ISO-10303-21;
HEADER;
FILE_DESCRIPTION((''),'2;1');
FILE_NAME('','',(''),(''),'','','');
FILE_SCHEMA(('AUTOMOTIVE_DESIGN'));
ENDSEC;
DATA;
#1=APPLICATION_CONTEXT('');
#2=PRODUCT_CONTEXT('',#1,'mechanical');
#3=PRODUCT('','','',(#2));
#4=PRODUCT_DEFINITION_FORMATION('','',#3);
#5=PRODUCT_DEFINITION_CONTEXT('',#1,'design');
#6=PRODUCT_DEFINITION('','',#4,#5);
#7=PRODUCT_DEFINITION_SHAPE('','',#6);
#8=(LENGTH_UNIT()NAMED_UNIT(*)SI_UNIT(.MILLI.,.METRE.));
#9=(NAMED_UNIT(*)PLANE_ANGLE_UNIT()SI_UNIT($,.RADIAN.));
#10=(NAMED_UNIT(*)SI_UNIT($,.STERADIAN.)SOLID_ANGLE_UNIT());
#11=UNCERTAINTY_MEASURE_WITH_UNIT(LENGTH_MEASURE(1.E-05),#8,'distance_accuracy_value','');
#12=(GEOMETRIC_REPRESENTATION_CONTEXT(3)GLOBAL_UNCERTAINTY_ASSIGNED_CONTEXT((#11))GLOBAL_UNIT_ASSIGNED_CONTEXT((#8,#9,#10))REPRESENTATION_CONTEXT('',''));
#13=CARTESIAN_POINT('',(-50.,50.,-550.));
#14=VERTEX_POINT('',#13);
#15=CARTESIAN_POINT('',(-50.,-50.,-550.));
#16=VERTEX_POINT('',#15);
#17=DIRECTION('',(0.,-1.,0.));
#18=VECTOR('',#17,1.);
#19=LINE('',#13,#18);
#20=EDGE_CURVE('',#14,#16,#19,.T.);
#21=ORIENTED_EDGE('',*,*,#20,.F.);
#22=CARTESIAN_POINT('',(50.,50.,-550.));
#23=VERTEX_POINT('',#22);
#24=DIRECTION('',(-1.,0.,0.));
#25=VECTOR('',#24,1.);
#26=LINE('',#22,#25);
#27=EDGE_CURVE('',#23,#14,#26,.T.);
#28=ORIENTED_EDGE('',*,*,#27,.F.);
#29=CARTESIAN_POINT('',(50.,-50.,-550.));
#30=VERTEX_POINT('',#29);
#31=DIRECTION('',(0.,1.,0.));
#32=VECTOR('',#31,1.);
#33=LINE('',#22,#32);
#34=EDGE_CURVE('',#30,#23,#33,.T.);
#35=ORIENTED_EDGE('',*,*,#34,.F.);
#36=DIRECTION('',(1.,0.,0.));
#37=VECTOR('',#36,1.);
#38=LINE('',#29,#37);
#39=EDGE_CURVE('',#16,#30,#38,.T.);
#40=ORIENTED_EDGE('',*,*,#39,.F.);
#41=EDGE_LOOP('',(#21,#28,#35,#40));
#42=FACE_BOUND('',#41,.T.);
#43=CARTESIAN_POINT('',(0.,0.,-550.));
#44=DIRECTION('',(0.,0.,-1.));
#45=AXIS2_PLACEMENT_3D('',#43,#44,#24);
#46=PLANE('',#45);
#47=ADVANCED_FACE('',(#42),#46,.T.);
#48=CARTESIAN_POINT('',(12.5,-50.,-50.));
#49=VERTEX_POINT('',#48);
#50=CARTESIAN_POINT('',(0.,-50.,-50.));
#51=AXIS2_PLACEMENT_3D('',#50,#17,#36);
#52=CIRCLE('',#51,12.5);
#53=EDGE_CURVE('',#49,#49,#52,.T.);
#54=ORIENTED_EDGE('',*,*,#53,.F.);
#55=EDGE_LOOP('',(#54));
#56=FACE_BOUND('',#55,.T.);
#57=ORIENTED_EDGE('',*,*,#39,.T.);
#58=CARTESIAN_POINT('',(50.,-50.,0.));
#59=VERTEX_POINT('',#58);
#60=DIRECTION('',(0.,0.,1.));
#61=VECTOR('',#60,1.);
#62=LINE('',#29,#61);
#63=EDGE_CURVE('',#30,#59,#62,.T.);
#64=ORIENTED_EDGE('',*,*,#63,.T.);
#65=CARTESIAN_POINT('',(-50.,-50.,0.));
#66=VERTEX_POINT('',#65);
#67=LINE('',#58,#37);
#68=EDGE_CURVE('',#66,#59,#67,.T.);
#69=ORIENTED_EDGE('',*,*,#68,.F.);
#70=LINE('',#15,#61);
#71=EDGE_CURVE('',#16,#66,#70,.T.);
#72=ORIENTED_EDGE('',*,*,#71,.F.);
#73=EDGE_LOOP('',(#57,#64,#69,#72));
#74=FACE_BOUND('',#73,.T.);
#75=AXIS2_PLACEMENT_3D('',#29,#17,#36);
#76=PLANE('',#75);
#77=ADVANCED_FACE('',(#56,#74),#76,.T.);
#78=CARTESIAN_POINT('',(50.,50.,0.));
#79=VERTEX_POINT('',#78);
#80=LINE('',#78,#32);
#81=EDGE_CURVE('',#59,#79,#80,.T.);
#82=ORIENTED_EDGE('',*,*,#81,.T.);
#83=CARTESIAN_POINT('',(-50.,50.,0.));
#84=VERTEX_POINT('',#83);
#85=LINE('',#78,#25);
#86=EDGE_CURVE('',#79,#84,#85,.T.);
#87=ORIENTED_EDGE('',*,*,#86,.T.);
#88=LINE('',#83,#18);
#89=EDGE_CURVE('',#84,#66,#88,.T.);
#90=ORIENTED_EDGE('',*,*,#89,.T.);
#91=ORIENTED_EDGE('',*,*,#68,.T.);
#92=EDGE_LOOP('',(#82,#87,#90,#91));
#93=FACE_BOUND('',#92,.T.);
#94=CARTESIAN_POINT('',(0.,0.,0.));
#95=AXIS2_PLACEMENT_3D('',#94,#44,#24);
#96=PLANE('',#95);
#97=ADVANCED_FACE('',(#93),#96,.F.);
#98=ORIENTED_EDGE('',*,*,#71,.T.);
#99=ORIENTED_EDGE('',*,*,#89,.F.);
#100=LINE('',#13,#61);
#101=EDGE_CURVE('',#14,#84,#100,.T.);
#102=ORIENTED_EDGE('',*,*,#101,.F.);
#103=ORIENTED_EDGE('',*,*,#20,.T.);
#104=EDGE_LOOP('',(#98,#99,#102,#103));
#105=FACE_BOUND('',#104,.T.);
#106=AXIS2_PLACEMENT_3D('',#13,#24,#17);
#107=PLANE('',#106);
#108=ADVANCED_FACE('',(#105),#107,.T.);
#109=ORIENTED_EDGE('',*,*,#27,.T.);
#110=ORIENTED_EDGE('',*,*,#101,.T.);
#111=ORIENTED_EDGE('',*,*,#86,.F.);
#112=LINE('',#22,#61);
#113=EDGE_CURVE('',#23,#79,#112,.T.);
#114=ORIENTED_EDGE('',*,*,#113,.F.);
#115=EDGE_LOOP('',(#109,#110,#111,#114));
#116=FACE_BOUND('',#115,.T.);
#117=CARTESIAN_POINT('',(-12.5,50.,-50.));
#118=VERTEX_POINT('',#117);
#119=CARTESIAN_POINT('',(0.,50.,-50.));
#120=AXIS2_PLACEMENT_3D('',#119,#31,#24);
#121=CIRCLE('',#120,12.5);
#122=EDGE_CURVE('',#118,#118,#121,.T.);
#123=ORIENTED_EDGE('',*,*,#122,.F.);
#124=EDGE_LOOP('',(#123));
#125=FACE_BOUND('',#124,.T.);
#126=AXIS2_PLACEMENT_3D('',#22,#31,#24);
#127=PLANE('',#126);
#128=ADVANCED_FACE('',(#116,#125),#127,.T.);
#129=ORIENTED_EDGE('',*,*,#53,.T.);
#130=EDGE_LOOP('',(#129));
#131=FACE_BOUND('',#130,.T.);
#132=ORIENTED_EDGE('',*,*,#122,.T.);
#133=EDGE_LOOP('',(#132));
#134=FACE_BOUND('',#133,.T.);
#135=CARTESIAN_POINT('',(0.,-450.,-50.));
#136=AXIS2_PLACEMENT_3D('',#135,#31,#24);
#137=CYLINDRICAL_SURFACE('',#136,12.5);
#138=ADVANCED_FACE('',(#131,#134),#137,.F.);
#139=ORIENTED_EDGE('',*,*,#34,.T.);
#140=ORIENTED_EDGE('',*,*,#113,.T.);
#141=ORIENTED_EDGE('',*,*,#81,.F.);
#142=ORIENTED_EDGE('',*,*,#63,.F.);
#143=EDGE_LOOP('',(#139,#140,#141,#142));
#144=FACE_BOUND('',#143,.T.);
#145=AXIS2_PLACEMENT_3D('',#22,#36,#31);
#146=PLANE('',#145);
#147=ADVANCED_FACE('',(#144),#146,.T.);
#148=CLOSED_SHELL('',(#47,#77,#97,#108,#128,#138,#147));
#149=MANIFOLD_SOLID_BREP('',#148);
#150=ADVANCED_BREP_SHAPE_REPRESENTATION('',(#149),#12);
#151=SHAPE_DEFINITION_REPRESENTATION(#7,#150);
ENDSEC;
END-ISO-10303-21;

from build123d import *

# Parameters (mm, degrees)
SKETCH2_W           = 100
SKETCH2_H           = 100
BOSS_EXTRUDE1_DEPTH = 550
SKETCH3_R           = 12.5
CUT_EXTRUDE1_DEPTH  = 500


with BuildPart() as part:
    # Sketch2 → Boss-Extrude1 (new body)
    with BuildSketch(Plane.XY):
        Rectangle(SKETCH2_W, SKETCH2_H)
    extrude(amount=-BOSS_EXTRUDE1_DEPTH)

    # Sketch3 → Cut-Extrude1 (cut)
    with BuildSketch(Plane(origin=(0, 50, 0), x_dir=(1, 0, 0), z_dir=(0, 1, 0))):
        with Locations(Location((0, 50, 0), (0, 0, 180))):
            Circle(SKETCH3_R)
    extrude(amount=-CUT_EXTRUDE1_DEPTH, mode=Mode.SUBTRACT)


solid = part.part
